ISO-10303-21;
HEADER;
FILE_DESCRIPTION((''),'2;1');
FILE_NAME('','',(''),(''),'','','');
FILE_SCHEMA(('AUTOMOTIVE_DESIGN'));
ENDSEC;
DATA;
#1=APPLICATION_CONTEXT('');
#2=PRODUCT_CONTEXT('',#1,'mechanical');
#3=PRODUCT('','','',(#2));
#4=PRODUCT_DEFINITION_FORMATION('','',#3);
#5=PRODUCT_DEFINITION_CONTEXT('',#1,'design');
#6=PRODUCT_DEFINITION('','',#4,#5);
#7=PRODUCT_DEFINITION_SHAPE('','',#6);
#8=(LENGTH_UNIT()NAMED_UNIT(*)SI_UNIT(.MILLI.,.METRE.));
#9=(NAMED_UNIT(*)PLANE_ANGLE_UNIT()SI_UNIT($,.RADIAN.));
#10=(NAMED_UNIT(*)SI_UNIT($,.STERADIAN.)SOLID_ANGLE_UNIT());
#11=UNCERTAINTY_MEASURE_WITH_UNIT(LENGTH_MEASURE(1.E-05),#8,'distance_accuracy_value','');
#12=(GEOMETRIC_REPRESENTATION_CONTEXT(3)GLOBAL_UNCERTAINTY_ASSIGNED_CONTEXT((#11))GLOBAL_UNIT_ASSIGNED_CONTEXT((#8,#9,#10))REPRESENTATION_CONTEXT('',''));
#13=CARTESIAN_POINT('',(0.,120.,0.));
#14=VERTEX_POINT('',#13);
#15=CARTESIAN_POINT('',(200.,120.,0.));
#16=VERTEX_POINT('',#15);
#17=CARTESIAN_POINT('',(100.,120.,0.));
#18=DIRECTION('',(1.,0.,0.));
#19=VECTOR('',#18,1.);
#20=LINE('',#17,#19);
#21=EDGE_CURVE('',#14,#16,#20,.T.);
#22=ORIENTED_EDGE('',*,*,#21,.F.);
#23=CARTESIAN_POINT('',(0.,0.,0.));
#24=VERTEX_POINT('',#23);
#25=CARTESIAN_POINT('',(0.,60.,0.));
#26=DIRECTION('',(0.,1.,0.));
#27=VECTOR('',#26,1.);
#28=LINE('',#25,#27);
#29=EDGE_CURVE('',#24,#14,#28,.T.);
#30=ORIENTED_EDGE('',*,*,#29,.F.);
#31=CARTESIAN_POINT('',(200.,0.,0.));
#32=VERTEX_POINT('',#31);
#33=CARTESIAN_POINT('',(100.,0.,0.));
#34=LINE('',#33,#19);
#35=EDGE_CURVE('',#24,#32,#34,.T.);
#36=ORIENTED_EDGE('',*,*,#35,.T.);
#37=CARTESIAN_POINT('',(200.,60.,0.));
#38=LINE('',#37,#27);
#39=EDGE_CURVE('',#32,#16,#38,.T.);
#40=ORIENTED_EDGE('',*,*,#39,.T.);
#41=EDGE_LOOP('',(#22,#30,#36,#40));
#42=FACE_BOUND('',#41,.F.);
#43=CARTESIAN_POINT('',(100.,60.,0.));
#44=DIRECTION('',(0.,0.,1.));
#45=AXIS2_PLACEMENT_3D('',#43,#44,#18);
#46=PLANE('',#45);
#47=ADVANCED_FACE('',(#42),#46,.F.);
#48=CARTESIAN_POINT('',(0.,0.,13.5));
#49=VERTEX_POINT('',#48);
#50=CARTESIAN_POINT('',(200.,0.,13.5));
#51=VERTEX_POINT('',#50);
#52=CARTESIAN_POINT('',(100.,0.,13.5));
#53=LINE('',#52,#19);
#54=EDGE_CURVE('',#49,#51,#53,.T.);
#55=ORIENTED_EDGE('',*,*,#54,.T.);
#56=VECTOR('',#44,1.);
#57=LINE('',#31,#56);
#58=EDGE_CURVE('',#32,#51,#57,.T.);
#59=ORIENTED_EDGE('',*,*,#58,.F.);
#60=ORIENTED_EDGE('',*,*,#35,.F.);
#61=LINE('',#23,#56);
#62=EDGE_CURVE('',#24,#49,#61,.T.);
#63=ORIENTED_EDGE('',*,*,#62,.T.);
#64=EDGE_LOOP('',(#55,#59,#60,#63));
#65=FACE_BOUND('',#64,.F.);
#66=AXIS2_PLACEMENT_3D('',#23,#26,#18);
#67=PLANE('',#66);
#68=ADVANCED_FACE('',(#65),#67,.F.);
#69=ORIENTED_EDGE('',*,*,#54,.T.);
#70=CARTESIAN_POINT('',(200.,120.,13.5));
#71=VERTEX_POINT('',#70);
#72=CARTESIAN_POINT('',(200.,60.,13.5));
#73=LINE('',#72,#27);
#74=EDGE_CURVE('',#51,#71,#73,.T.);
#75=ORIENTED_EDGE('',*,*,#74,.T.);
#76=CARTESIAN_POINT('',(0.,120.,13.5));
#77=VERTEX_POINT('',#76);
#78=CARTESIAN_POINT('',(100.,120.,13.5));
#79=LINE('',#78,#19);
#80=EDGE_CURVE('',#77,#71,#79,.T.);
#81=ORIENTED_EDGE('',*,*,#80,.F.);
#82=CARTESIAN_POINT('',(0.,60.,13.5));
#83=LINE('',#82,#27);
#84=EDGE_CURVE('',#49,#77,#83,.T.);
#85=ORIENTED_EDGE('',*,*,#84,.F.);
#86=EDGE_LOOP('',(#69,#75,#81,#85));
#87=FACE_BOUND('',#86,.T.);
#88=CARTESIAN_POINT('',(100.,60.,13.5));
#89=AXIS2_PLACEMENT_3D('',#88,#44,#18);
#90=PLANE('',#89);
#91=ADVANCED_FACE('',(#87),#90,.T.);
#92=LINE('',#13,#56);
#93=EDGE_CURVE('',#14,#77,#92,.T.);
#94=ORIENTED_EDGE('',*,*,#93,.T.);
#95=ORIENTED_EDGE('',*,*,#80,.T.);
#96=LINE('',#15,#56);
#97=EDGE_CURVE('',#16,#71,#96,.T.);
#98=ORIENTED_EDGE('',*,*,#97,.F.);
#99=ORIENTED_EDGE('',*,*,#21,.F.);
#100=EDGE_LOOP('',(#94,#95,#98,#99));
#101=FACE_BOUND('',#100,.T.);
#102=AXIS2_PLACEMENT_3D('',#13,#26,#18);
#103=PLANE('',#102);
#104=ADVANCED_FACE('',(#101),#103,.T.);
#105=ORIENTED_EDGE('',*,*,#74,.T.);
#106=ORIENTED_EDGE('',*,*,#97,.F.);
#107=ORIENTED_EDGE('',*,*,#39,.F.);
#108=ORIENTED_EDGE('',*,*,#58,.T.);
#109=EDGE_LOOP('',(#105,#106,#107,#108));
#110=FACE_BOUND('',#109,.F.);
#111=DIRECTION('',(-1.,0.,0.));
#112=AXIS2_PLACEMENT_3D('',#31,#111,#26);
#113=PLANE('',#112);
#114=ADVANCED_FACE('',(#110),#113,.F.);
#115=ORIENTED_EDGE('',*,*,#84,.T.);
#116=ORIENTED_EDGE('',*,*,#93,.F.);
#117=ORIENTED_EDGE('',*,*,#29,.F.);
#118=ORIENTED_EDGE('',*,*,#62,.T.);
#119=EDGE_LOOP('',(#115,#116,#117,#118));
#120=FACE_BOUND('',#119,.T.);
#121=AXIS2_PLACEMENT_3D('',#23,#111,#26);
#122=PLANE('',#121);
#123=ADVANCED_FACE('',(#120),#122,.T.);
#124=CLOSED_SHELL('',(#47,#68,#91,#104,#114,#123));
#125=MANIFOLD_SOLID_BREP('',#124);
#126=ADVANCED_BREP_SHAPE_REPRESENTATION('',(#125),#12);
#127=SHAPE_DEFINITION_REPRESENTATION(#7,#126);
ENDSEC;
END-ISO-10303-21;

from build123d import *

# Parameters (mm, degrees)
SKETCH_W  = 200
SKETCH_H  = 120
PAD_DEPTH = 13.5


with BuildPart() as part:
    # Sketch → Pad (new body)
    with BuildSketch(Plane.XY):
        with Locations((100, 60)):
            Rectangle(SKETCH_W, SKETCH_H)
    extrude(amount=PAD_DEPTH)


solid = part.part
